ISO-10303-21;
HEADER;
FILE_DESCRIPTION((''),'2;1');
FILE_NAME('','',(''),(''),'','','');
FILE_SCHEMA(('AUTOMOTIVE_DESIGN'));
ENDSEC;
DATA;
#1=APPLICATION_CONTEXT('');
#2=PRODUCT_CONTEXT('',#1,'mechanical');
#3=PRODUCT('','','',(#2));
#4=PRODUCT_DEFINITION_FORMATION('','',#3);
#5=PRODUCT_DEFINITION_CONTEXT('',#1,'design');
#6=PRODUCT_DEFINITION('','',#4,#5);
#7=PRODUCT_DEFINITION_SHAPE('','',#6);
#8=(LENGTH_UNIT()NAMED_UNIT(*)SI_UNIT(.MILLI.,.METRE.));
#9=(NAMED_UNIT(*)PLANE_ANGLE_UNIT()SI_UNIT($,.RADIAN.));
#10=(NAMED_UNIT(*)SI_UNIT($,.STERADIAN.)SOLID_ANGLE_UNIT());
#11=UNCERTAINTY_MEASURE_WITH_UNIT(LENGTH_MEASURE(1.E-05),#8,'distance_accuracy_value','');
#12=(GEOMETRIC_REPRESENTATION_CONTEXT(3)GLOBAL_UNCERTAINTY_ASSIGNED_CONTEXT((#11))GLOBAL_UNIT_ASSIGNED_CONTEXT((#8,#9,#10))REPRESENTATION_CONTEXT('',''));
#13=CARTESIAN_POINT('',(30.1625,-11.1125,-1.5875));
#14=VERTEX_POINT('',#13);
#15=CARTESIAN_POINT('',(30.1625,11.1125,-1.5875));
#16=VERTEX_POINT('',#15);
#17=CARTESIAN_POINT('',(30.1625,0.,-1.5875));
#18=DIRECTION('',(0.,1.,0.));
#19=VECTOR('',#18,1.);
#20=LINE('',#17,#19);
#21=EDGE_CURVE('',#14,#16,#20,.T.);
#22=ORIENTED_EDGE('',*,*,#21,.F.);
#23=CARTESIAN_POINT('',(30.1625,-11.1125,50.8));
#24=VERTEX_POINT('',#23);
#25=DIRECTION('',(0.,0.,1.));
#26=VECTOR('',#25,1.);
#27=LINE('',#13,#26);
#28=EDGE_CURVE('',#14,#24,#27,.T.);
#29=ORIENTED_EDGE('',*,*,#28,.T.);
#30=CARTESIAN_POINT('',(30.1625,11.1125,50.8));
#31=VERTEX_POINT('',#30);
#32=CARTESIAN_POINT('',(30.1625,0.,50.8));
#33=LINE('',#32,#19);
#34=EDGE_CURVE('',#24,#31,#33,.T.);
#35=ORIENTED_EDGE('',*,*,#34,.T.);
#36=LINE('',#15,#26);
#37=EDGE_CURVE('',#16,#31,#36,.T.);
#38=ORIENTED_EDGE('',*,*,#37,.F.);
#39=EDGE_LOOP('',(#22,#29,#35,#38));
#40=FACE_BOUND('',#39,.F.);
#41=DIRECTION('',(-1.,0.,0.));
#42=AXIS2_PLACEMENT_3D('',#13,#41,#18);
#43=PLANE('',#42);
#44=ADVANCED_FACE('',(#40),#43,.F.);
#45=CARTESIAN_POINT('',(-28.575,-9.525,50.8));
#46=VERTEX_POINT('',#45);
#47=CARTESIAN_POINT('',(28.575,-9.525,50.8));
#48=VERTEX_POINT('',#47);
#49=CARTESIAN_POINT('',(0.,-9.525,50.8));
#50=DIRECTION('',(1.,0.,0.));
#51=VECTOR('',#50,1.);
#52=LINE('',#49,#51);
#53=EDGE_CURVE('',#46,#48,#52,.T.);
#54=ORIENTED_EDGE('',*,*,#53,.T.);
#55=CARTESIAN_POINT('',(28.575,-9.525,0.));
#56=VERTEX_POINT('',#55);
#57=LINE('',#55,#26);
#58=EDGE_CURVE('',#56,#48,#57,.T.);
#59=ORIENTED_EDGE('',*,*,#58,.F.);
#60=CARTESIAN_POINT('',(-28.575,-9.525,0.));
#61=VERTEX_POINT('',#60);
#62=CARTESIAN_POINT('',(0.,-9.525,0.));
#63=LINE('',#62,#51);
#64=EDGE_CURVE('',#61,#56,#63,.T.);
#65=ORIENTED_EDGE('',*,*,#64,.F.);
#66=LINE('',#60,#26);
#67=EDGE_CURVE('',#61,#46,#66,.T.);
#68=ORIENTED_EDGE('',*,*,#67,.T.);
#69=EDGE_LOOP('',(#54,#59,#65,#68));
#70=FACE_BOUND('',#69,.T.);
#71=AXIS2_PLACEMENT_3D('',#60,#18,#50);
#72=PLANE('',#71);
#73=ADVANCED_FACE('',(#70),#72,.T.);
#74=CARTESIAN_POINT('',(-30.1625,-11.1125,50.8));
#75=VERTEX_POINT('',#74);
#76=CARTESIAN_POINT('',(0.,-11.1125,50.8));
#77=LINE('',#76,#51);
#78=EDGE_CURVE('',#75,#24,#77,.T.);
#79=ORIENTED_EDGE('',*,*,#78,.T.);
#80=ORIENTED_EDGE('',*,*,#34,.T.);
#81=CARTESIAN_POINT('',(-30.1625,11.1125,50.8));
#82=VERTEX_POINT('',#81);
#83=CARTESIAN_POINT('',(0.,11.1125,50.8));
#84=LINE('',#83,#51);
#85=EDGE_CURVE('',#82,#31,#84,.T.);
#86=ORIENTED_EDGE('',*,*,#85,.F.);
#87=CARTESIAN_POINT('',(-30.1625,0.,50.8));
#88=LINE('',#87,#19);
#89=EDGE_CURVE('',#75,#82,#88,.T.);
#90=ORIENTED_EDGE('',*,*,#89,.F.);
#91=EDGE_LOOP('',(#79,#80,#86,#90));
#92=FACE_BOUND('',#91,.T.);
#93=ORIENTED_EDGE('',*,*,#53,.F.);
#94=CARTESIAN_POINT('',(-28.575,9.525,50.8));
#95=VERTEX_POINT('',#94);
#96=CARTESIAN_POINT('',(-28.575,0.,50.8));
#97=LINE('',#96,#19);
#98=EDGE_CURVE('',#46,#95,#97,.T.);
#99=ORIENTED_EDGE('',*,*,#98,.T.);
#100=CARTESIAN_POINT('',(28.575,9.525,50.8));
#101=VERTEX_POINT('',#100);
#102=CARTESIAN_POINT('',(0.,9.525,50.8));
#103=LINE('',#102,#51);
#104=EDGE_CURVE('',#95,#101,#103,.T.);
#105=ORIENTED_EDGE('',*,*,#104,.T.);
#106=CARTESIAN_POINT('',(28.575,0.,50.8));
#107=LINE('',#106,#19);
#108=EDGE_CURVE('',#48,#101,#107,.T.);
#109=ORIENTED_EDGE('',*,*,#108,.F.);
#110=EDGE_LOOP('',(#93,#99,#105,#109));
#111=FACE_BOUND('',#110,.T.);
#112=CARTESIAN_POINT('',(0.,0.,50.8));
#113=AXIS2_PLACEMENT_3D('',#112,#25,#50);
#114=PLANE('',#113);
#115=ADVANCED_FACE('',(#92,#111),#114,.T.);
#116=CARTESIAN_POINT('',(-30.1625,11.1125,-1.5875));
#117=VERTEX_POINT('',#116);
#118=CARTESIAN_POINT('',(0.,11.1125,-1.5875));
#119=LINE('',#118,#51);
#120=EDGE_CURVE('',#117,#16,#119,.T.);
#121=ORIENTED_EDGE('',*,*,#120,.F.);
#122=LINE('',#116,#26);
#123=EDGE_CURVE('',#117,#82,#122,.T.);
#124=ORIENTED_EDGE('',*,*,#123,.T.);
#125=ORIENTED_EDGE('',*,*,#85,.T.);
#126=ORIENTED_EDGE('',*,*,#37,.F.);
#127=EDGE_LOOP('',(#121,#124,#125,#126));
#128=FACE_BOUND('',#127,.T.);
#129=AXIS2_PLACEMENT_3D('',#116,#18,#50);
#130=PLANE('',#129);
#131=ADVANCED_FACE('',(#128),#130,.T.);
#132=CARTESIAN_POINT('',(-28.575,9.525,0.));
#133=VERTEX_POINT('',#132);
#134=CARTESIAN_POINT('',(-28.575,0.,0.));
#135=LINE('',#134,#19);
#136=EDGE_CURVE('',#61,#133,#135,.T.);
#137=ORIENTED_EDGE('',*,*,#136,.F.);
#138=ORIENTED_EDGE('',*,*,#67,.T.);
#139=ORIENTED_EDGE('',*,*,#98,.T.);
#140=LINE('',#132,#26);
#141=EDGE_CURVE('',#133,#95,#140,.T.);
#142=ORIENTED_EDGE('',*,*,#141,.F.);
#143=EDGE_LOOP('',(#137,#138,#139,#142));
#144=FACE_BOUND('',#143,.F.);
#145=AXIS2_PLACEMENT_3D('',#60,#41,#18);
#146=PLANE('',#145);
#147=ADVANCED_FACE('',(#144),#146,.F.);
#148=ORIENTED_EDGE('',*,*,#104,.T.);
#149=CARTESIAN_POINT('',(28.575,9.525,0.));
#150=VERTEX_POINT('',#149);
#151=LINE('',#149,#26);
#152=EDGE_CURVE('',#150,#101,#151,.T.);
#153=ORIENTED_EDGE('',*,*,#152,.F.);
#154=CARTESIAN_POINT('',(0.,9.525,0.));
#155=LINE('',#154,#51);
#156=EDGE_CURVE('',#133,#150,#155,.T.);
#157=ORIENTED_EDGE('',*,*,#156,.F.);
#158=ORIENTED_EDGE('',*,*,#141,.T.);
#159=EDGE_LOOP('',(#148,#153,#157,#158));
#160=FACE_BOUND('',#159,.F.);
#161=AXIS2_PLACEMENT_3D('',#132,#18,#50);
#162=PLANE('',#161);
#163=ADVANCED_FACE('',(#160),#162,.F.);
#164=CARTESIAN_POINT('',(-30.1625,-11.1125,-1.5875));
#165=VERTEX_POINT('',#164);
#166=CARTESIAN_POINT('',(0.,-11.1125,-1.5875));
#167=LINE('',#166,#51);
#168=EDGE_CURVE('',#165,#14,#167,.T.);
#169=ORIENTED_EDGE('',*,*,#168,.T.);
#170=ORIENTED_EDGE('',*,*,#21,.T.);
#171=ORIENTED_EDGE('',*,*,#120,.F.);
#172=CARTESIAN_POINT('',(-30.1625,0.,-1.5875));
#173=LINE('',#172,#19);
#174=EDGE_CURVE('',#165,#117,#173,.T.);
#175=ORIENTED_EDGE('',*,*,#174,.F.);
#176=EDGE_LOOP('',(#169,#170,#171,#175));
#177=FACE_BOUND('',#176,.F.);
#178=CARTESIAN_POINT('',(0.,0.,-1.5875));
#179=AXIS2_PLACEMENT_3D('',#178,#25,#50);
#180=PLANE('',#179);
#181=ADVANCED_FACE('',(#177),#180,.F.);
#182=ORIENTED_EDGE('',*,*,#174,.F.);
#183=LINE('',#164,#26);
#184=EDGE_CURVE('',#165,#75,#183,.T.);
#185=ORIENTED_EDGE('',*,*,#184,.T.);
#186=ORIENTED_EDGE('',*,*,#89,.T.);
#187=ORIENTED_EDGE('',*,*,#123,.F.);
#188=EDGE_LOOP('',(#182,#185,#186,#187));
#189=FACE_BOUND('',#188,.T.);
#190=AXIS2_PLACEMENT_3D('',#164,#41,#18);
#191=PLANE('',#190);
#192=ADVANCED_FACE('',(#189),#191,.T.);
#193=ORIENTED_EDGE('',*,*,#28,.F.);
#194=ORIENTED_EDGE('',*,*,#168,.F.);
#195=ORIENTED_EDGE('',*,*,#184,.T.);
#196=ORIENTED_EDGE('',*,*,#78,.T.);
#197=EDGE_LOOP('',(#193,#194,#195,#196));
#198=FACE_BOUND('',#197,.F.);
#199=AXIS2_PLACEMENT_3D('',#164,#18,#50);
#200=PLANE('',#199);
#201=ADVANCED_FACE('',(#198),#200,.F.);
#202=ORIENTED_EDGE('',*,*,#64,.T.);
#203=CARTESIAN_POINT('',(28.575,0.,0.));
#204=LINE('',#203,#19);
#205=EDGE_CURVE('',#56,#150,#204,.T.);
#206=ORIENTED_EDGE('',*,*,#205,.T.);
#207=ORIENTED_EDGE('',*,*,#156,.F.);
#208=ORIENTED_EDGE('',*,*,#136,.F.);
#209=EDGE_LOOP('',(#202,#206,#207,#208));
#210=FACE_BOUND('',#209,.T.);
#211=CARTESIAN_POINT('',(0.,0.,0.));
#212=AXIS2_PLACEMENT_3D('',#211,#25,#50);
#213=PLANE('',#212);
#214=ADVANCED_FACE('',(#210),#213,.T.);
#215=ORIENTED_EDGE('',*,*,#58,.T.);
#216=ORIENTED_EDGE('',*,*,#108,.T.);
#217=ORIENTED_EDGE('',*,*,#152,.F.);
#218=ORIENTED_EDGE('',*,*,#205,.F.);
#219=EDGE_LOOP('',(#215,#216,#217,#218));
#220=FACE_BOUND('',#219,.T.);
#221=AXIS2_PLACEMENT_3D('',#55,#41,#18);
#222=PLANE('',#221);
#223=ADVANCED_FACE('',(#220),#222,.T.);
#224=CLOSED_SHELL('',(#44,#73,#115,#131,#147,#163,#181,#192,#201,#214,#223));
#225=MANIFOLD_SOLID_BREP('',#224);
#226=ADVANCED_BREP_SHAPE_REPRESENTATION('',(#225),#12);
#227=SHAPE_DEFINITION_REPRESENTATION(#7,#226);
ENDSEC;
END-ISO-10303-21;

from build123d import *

# Parameters (mm, degrees)
BOX010_W     = 57.15
BOX010_H     = 19.05
BOX010_DEPTH = 50.8
BOX020_W     = 60.325
BOX020_H     = 22.225
BOX020_DEPTH = 52.3875


with BuildPart() as cube010:
    # Box010 → Box010 (new body)
    with BuildSketch(Plane(origin=(-28.575, -9.525, 0), x_dir=(1, 0, 0), z_dir=(0, 0, 1))):
        with Locations((28.575, 9.525)):
            Rectangle(BOX010_W, BOX010_H)
    extrude(amount=BOX010_DEPTH)


with BuildPart() as steel_cap:
    # Box020 → Box020 (new body)
    with BuildSketch(Plane(origin=(-30.1625, -11.1125, -1.5875), x_dir=(1, 0, 0), z_dir=(0, 0, 1))):
        with Locations((30.1625, 11.1125)):
            Rectangle(BOX020_W, BOX020_H)
    extrude(amount=BOX020_DEPTH)

    # Cut024: cut Cube010
    add(cube010.part, mode=Mode.SUBTRACT)


solid = steel_cap.part
